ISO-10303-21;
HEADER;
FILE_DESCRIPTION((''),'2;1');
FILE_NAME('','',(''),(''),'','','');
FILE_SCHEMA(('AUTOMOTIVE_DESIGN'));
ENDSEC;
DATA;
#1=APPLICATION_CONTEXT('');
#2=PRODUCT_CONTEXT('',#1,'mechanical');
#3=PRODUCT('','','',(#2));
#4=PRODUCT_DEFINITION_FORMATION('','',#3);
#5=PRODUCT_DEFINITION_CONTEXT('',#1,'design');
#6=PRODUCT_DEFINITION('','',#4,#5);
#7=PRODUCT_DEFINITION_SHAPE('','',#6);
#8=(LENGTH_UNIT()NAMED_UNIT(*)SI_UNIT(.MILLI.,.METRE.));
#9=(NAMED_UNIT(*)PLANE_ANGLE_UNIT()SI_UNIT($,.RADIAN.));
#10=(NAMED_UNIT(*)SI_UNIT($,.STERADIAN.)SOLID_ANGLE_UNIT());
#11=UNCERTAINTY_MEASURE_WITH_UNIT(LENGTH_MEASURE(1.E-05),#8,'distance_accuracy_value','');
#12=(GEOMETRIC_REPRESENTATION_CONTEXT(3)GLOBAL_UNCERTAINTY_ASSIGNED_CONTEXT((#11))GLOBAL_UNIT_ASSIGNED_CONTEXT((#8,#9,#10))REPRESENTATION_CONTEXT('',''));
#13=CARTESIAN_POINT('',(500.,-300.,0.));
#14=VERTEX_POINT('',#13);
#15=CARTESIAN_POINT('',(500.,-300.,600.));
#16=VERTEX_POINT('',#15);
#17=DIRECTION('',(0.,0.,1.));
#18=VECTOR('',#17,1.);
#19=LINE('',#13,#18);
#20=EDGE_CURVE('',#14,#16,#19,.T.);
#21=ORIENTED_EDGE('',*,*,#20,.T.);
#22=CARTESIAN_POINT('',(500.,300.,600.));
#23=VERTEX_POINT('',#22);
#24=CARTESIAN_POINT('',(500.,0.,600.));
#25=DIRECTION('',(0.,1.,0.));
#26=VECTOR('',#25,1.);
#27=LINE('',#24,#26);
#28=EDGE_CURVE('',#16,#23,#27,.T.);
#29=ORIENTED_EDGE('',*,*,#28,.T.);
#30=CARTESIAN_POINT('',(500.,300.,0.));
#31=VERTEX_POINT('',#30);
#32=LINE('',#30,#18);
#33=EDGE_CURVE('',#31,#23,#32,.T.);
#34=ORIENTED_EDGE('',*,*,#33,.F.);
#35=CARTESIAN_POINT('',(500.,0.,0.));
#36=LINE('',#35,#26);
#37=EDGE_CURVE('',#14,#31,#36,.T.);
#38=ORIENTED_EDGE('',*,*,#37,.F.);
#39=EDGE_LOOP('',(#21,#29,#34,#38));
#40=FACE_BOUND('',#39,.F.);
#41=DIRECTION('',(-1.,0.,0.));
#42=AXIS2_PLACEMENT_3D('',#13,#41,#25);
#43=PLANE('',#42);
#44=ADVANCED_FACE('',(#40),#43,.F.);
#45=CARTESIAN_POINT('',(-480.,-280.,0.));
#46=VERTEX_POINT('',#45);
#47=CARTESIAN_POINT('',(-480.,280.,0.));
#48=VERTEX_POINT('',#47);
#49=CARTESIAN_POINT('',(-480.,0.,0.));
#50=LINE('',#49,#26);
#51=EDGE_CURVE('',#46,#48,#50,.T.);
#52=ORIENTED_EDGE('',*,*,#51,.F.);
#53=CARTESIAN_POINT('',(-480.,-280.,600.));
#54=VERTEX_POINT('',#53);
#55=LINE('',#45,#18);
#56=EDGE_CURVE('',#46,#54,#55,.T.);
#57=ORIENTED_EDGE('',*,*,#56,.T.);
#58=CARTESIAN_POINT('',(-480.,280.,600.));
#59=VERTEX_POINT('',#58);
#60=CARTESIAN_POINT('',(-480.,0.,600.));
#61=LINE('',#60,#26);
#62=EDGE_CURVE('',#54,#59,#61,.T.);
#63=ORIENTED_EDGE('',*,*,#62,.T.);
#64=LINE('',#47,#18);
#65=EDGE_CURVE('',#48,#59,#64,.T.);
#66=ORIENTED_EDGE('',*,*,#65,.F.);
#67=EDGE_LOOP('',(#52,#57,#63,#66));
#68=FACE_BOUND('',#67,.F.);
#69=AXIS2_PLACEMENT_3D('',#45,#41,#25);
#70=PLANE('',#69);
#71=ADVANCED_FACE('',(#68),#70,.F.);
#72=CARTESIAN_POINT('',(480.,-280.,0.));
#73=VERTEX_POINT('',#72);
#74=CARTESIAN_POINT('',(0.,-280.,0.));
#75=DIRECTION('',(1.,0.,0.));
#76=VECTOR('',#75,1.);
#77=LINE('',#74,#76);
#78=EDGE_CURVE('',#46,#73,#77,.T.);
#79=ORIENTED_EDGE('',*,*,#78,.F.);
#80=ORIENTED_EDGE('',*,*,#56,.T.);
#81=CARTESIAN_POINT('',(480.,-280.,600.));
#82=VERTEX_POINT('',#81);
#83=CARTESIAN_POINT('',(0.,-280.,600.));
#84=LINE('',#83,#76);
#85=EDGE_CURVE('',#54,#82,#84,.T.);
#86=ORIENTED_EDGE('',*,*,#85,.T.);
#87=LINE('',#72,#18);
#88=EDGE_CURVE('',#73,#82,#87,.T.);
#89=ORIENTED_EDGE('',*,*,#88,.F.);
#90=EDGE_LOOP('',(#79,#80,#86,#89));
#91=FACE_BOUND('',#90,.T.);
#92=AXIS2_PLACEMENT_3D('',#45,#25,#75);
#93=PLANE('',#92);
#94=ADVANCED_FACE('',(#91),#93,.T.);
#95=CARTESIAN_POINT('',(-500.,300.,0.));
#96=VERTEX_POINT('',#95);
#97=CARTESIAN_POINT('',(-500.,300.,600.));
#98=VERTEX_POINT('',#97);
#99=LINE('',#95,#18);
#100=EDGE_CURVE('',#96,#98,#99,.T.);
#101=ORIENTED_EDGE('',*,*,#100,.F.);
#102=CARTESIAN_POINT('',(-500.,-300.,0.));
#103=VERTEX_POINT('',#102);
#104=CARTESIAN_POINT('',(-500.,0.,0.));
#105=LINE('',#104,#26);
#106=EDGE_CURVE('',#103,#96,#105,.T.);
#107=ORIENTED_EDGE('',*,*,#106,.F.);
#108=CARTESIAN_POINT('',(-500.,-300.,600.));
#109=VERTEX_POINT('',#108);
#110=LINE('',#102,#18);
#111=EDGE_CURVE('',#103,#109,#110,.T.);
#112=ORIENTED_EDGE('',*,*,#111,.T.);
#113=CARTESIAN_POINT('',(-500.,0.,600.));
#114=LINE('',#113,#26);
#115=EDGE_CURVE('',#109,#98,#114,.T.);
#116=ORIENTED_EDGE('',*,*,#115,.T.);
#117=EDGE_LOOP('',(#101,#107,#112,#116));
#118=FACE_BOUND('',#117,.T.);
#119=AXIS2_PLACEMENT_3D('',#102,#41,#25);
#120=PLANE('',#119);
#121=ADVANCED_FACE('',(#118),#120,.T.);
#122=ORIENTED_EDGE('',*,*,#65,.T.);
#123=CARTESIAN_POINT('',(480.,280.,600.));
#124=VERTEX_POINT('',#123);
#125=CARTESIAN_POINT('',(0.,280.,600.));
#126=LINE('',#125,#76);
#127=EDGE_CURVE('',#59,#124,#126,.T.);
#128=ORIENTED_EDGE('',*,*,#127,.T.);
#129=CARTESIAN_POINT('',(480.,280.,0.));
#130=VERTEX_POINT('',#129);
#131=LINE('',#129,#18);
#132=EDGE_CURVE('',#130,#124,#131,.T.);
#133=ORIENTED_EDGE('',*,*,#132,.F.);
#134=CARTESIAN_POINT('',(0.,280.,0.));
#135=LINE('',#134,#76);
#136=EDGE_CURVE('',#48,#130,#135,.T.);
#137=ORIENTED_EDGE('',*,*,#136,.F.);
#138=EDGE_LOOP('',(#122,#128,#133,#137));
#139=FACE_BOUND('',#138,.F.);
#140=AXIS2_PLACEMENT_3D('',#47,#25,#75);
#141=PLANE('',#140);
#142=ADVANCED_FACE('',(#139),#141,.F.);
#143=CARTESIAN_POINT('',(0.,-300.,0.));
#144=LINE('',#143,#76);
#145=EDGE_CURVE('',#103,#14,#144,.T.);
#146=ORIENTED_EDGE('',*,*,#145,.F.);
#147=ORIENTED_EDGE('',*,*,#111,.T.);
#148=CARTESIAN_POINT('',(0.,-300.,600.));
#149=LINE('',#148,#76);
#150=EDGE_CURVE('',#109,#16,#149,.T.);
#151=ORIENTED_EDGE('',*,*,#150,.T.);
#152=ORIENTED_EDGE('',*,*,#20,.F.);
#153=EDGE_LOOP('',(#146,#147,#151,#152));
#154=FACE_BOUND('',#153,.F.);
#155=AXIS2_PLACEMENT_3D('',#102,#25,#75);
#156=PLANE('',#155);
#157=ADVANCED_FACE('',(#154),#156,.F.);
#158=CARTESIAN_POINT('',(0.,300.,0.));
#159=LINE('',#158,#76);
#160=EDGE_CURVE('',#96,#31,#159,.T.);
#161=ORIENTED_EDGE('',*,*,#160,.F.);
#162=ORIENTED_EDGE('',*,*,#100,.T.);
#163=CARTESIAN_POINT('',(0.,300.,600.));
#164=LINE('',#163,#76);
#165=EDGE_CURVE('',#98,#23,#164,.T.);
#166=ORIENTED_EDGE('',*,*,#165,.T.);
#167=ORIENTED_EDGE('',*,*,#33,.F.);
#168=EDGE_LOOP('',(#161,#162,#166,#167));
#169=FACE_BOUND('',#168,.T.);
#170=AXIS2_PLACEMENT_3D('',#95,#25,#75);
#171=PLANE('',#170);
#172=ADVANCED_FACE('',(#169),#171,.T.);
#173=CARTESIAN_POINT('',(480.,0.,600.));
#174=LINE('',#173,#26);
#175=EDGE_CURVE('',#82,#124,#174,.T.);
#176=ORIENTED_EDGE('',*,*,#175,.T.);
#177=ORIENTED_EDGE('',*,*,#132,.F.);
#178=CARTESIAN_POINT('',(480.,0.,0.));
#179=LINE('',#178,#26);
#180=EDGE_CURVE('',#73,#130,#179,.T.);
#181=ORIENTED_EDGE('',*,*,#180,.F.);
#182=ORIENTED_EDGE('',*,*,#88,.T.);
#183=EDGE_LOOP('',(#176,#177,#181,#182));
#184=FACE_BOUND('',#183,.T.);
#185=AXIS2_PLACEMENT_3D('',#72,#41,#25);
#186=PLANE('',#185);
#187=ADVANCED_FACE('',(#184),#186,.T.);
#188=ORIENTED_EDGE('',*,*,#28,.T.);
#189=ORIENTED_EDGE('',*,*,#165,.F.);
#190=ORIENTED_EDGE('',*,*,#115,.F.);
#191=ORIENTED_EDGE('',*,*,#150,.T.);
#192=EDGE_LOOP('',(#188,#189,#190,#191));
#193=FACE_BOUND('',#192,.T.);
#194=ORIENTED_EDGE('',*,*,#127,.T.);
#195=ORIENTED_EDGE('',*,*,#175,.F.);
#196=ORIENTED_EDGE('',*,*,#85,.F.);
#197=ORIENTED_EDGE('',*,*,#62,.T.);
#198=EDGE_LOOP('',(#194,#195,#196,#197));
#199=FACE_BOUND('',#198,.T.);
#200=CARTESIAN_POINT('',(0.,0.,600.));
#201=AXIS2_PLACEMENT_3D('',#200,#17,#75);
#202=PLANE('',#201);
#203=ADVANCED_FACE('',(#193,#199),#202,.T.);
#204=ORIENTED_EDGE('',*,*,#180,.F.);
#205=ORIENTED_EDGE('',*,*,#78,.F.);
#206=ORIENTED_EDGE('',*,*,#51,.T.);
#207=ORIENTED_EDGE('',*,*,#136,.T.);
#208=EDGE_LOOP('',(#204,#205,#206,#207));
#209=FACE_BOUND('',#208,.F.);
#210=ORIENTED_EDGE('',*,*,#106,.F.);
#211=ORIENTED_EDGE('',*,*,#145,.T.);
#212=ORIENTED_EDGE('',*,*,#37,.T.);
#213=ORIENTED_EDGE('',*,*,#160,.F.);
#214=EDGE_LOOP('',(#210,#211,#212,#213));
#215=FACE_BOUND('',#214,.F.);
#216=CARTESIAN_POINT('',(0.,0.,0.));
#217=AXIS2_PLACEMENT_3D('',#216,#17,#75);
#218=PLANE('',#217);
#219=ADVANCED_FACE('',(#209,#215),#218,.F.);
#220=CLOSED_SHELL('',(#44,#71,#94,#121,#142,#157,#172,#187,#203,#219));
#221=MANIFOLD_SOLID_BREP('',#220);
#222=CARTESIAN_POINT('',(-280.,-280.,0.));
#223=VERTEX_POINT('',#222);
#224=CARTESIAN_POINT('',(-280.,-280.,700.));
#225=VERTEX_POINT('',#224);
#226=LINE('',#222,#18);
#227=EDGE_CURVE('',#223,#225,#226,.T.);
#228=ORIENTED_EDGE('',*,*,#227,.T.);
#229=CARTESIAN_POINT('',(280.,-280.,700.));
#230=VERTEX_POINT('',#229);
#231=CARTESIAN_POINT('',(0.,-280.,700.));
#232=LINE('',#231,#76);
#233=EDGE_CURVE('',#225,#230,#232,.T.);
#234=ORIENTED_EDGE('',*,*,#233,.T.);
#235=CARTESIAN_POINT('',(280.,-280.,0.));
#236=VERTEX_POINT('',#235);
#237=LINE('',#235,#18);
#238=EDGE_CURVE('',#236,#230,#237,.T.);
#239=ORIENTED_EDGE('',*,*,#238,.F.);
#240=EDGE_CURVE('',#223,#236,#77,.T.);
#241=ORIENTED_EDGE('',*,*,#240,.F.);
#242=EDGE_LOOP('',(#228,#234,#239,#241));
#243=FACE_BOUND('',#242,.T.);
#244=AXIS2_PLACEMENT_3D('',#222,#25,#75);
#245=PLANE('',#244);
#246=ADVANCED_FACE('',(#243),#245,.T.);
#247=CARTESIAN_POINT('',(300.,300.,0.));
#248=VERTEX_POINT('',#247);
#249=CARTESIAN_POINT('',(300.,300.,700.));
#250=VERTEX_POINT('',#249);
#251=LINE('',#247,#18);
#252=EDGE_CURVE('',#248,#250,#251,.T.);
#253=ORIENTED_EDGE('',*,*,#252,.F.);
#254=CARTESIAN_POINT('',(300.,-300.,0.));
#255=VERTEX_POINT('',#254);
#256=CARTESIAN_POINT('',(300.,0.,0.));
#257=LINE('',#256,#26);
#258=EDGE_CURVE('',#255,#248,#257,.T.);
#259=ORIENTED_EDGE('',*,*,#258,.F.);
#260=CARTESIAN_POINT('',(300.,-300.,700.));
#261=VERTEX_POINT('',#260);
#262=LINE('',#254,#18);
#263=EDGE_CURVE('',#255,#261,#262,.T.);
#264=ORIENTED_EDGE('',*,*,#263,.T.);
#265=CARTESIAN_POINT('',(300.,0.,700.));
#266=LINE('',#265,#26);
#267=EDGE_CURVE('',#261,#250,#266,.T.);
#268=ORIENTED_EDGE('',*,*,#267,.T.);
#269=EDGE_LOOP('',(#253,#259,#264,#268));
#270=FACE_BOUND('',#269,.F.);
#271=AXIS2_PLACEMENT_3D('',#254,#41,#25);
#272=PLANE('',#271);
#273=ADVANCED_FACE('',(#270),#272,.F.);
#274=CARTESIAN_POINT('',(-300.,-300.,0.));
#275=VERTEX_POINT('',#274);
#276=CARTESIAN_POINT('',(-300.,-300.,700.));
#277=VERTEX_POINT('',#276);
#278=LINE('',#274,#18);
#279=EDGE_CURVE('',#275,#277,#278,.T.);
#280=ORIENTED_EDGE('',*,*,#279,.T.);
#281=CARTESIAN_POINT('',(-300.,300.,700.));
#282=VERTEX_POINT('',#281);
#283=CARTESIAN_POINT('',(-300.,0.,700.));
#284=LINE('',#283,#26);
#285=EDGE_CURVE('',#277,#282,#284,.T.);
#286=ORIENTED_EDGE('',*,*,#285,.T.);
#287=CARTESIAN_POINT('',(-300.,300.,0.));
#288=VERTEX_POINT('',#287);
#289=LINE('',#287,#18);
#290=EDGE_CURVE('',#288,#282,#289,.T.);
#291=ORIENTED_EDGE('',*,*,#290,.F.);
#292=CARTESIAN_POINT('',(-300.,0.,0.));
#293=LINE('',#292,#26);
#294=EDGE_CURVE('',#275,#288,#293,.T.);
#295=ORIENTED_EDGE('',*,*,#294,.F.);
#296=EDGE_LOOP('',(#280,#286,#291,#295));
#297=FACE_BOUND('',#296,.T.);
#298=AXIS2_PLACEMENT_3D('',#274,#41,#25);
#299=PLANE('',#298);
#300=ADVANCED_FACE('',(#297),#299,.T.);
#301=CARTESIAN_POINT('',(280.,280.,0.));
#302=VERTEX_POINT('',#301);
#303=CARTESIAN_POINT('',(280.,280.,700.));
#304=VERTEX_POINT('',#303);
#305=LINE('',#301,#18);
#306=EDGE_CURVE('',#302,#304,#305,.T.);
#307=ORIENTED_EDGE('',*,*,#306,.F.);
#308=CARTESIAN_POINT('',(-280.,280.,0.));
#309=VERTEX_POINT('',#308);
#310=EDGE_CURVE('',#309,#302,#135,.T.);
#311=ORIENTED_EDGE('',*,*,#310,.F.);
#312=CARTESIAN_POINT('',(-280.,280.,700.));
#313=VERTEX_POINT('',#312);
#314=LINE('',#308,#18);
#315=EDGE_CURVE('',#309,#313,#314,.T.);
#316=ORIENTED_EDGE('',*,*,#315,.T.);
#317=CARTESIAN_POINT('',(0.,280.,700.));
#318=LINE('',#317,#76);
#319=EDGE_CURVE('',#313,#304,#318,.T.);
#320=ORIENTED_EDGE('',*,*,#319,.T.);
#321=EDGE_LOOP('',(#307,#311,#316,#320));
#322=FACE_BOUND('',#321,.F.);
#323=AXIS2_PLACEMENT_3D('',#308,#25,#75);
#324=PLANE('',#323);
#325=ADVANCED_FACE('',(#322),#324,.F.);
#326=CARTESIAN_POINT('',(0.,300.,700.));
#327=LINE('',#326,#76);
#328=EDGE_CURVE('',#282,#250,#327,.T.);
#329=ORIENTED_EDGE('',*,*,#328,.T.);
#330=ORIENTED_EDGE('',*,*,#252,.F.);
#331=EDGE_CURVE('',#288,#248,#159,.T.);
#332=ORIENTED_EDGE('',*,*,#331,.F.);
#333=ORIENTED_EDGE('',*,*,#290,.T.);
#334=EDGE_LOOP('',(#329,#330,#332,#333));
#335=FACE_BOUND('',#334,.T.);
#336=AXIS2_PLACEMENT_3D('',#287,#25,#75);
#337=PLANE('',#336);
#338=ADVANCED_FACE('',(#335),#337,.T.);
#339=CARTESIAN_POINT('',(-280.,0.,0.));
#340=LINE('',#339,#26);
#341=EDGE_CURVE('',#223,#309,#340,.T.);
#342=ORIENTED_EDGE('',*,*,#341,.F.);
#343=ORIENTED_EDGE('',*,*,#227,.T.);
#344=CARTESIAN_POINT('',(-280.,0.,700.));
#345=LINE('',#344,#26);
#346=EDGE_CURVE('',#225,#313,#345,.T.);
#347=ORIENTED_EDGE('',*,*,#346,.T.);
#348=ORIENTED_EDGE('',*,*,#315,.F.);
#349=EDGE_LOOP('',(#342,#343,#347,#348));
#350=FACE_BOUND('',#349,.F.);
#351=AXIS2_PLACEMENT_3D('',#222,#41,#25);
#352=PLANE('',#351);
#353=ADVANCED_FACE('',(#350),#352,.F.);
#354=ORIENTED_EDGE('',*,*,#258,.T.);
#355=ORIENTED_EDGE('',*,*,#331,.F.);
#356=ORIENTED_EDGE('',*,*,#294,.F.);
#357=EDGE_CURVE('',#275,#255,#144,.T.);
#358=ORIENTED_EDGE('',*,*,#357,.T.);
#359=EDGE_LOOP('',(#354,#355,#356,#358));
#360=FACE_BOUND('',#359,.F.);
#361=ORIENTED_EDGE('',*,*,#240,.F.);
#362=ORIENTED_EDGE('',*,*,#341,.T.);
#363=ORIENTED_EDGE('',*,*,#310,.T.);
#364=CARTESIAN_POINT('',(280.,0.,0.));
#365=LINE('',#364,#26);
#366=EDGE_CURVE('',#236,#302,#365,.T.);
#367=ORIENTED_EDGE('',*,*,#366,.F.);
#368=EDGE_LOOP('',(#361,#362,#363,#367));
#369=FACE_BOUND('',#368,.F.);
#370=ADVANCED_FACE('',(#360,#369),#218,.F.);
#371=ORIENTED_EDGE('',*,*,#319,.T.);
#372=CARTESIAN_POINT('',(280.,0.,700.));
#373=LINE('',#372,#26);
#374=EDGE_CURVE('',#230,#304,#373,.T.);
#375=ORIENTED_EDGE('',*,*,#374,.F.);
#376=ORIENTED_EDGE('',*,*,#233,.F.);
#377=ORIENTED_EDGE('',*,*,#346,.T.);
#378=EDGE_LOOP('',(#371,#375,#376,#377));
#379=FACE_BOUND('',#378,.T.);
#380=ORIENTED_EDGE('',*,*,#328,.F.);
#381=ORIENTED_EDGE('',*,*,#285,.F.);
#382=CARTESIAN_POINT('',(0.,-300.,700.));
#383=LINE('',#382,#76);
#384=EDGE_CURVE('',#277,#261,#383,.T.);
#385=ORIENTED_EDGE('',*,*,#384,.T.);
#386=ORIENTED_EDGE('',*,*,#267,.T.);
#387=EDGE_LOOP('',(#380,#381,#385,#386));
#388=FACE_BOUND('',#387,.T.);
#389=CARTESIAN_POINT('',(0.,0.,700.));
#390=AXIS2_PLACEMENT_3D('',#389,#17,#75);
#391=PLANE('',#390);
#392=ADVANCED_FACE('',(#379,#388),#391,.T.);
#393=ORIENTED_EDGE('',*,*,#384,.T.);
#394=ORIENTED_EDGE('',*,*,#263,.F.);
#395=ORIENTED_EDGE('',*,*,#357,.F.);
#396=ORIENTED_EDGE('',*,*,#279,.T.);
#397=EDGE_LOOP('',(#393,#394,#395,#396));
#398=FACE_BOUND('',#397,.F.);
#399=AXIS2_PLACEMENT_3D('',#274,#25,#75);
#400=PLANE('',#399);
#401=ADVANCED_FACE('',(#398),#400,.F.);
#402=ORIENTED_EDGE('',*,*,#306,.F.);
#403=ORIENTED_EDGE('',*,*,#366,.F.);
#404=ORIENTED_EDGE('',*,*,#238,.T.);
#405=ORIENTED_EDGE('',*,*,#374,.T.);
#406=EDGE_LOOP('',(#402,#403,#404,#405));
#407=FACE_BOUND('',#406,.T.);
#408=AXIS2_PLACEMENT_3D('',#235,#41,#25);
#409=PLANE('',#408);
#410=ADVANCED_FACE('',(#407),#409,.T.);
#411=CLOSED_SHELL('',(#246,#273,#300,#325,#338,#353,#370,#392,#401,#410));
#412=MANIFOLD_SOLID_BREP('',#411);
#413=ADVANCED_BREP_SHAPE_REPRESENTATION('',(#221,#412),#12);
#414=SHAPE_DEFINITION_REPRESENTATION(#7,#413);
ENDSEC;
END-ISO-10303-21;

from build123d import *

# Parameters (mm, degrees)
F0_W     = 600
F0_H     = 600
F0_W_2   = 560
F0_H_2   = 560
F1_DEPTH = 700
F2_W     = 1000
F2_H     = 600
F2_W_2   = 960
F2_H_2   = 560
F3_DEPTH = 600


with BuildPart() as f1:
    # F0 (on Top) → F1 (new body)
    with BuildSketch(Plane.XY):
        Rectangle(F0_W, F0_H)
        Rectangle(F0_W_2, F0_H_2, mode=Mode.SUBTRACT)
    extrude(amount=F1_DEPTH)


with BuildPart() as f3:
    # F2 (on Top) → F3 (new body)
    with BuildSketch(Plane.XY):
        Rectangle(F2_W, F2_H)
        Rectangle(F2_W_2, F2_H_2, mode=Mode.SUBTRACT)
    extrude(amount=F3_DEPTH)


solid = Compound([f1.part, f3.part])
